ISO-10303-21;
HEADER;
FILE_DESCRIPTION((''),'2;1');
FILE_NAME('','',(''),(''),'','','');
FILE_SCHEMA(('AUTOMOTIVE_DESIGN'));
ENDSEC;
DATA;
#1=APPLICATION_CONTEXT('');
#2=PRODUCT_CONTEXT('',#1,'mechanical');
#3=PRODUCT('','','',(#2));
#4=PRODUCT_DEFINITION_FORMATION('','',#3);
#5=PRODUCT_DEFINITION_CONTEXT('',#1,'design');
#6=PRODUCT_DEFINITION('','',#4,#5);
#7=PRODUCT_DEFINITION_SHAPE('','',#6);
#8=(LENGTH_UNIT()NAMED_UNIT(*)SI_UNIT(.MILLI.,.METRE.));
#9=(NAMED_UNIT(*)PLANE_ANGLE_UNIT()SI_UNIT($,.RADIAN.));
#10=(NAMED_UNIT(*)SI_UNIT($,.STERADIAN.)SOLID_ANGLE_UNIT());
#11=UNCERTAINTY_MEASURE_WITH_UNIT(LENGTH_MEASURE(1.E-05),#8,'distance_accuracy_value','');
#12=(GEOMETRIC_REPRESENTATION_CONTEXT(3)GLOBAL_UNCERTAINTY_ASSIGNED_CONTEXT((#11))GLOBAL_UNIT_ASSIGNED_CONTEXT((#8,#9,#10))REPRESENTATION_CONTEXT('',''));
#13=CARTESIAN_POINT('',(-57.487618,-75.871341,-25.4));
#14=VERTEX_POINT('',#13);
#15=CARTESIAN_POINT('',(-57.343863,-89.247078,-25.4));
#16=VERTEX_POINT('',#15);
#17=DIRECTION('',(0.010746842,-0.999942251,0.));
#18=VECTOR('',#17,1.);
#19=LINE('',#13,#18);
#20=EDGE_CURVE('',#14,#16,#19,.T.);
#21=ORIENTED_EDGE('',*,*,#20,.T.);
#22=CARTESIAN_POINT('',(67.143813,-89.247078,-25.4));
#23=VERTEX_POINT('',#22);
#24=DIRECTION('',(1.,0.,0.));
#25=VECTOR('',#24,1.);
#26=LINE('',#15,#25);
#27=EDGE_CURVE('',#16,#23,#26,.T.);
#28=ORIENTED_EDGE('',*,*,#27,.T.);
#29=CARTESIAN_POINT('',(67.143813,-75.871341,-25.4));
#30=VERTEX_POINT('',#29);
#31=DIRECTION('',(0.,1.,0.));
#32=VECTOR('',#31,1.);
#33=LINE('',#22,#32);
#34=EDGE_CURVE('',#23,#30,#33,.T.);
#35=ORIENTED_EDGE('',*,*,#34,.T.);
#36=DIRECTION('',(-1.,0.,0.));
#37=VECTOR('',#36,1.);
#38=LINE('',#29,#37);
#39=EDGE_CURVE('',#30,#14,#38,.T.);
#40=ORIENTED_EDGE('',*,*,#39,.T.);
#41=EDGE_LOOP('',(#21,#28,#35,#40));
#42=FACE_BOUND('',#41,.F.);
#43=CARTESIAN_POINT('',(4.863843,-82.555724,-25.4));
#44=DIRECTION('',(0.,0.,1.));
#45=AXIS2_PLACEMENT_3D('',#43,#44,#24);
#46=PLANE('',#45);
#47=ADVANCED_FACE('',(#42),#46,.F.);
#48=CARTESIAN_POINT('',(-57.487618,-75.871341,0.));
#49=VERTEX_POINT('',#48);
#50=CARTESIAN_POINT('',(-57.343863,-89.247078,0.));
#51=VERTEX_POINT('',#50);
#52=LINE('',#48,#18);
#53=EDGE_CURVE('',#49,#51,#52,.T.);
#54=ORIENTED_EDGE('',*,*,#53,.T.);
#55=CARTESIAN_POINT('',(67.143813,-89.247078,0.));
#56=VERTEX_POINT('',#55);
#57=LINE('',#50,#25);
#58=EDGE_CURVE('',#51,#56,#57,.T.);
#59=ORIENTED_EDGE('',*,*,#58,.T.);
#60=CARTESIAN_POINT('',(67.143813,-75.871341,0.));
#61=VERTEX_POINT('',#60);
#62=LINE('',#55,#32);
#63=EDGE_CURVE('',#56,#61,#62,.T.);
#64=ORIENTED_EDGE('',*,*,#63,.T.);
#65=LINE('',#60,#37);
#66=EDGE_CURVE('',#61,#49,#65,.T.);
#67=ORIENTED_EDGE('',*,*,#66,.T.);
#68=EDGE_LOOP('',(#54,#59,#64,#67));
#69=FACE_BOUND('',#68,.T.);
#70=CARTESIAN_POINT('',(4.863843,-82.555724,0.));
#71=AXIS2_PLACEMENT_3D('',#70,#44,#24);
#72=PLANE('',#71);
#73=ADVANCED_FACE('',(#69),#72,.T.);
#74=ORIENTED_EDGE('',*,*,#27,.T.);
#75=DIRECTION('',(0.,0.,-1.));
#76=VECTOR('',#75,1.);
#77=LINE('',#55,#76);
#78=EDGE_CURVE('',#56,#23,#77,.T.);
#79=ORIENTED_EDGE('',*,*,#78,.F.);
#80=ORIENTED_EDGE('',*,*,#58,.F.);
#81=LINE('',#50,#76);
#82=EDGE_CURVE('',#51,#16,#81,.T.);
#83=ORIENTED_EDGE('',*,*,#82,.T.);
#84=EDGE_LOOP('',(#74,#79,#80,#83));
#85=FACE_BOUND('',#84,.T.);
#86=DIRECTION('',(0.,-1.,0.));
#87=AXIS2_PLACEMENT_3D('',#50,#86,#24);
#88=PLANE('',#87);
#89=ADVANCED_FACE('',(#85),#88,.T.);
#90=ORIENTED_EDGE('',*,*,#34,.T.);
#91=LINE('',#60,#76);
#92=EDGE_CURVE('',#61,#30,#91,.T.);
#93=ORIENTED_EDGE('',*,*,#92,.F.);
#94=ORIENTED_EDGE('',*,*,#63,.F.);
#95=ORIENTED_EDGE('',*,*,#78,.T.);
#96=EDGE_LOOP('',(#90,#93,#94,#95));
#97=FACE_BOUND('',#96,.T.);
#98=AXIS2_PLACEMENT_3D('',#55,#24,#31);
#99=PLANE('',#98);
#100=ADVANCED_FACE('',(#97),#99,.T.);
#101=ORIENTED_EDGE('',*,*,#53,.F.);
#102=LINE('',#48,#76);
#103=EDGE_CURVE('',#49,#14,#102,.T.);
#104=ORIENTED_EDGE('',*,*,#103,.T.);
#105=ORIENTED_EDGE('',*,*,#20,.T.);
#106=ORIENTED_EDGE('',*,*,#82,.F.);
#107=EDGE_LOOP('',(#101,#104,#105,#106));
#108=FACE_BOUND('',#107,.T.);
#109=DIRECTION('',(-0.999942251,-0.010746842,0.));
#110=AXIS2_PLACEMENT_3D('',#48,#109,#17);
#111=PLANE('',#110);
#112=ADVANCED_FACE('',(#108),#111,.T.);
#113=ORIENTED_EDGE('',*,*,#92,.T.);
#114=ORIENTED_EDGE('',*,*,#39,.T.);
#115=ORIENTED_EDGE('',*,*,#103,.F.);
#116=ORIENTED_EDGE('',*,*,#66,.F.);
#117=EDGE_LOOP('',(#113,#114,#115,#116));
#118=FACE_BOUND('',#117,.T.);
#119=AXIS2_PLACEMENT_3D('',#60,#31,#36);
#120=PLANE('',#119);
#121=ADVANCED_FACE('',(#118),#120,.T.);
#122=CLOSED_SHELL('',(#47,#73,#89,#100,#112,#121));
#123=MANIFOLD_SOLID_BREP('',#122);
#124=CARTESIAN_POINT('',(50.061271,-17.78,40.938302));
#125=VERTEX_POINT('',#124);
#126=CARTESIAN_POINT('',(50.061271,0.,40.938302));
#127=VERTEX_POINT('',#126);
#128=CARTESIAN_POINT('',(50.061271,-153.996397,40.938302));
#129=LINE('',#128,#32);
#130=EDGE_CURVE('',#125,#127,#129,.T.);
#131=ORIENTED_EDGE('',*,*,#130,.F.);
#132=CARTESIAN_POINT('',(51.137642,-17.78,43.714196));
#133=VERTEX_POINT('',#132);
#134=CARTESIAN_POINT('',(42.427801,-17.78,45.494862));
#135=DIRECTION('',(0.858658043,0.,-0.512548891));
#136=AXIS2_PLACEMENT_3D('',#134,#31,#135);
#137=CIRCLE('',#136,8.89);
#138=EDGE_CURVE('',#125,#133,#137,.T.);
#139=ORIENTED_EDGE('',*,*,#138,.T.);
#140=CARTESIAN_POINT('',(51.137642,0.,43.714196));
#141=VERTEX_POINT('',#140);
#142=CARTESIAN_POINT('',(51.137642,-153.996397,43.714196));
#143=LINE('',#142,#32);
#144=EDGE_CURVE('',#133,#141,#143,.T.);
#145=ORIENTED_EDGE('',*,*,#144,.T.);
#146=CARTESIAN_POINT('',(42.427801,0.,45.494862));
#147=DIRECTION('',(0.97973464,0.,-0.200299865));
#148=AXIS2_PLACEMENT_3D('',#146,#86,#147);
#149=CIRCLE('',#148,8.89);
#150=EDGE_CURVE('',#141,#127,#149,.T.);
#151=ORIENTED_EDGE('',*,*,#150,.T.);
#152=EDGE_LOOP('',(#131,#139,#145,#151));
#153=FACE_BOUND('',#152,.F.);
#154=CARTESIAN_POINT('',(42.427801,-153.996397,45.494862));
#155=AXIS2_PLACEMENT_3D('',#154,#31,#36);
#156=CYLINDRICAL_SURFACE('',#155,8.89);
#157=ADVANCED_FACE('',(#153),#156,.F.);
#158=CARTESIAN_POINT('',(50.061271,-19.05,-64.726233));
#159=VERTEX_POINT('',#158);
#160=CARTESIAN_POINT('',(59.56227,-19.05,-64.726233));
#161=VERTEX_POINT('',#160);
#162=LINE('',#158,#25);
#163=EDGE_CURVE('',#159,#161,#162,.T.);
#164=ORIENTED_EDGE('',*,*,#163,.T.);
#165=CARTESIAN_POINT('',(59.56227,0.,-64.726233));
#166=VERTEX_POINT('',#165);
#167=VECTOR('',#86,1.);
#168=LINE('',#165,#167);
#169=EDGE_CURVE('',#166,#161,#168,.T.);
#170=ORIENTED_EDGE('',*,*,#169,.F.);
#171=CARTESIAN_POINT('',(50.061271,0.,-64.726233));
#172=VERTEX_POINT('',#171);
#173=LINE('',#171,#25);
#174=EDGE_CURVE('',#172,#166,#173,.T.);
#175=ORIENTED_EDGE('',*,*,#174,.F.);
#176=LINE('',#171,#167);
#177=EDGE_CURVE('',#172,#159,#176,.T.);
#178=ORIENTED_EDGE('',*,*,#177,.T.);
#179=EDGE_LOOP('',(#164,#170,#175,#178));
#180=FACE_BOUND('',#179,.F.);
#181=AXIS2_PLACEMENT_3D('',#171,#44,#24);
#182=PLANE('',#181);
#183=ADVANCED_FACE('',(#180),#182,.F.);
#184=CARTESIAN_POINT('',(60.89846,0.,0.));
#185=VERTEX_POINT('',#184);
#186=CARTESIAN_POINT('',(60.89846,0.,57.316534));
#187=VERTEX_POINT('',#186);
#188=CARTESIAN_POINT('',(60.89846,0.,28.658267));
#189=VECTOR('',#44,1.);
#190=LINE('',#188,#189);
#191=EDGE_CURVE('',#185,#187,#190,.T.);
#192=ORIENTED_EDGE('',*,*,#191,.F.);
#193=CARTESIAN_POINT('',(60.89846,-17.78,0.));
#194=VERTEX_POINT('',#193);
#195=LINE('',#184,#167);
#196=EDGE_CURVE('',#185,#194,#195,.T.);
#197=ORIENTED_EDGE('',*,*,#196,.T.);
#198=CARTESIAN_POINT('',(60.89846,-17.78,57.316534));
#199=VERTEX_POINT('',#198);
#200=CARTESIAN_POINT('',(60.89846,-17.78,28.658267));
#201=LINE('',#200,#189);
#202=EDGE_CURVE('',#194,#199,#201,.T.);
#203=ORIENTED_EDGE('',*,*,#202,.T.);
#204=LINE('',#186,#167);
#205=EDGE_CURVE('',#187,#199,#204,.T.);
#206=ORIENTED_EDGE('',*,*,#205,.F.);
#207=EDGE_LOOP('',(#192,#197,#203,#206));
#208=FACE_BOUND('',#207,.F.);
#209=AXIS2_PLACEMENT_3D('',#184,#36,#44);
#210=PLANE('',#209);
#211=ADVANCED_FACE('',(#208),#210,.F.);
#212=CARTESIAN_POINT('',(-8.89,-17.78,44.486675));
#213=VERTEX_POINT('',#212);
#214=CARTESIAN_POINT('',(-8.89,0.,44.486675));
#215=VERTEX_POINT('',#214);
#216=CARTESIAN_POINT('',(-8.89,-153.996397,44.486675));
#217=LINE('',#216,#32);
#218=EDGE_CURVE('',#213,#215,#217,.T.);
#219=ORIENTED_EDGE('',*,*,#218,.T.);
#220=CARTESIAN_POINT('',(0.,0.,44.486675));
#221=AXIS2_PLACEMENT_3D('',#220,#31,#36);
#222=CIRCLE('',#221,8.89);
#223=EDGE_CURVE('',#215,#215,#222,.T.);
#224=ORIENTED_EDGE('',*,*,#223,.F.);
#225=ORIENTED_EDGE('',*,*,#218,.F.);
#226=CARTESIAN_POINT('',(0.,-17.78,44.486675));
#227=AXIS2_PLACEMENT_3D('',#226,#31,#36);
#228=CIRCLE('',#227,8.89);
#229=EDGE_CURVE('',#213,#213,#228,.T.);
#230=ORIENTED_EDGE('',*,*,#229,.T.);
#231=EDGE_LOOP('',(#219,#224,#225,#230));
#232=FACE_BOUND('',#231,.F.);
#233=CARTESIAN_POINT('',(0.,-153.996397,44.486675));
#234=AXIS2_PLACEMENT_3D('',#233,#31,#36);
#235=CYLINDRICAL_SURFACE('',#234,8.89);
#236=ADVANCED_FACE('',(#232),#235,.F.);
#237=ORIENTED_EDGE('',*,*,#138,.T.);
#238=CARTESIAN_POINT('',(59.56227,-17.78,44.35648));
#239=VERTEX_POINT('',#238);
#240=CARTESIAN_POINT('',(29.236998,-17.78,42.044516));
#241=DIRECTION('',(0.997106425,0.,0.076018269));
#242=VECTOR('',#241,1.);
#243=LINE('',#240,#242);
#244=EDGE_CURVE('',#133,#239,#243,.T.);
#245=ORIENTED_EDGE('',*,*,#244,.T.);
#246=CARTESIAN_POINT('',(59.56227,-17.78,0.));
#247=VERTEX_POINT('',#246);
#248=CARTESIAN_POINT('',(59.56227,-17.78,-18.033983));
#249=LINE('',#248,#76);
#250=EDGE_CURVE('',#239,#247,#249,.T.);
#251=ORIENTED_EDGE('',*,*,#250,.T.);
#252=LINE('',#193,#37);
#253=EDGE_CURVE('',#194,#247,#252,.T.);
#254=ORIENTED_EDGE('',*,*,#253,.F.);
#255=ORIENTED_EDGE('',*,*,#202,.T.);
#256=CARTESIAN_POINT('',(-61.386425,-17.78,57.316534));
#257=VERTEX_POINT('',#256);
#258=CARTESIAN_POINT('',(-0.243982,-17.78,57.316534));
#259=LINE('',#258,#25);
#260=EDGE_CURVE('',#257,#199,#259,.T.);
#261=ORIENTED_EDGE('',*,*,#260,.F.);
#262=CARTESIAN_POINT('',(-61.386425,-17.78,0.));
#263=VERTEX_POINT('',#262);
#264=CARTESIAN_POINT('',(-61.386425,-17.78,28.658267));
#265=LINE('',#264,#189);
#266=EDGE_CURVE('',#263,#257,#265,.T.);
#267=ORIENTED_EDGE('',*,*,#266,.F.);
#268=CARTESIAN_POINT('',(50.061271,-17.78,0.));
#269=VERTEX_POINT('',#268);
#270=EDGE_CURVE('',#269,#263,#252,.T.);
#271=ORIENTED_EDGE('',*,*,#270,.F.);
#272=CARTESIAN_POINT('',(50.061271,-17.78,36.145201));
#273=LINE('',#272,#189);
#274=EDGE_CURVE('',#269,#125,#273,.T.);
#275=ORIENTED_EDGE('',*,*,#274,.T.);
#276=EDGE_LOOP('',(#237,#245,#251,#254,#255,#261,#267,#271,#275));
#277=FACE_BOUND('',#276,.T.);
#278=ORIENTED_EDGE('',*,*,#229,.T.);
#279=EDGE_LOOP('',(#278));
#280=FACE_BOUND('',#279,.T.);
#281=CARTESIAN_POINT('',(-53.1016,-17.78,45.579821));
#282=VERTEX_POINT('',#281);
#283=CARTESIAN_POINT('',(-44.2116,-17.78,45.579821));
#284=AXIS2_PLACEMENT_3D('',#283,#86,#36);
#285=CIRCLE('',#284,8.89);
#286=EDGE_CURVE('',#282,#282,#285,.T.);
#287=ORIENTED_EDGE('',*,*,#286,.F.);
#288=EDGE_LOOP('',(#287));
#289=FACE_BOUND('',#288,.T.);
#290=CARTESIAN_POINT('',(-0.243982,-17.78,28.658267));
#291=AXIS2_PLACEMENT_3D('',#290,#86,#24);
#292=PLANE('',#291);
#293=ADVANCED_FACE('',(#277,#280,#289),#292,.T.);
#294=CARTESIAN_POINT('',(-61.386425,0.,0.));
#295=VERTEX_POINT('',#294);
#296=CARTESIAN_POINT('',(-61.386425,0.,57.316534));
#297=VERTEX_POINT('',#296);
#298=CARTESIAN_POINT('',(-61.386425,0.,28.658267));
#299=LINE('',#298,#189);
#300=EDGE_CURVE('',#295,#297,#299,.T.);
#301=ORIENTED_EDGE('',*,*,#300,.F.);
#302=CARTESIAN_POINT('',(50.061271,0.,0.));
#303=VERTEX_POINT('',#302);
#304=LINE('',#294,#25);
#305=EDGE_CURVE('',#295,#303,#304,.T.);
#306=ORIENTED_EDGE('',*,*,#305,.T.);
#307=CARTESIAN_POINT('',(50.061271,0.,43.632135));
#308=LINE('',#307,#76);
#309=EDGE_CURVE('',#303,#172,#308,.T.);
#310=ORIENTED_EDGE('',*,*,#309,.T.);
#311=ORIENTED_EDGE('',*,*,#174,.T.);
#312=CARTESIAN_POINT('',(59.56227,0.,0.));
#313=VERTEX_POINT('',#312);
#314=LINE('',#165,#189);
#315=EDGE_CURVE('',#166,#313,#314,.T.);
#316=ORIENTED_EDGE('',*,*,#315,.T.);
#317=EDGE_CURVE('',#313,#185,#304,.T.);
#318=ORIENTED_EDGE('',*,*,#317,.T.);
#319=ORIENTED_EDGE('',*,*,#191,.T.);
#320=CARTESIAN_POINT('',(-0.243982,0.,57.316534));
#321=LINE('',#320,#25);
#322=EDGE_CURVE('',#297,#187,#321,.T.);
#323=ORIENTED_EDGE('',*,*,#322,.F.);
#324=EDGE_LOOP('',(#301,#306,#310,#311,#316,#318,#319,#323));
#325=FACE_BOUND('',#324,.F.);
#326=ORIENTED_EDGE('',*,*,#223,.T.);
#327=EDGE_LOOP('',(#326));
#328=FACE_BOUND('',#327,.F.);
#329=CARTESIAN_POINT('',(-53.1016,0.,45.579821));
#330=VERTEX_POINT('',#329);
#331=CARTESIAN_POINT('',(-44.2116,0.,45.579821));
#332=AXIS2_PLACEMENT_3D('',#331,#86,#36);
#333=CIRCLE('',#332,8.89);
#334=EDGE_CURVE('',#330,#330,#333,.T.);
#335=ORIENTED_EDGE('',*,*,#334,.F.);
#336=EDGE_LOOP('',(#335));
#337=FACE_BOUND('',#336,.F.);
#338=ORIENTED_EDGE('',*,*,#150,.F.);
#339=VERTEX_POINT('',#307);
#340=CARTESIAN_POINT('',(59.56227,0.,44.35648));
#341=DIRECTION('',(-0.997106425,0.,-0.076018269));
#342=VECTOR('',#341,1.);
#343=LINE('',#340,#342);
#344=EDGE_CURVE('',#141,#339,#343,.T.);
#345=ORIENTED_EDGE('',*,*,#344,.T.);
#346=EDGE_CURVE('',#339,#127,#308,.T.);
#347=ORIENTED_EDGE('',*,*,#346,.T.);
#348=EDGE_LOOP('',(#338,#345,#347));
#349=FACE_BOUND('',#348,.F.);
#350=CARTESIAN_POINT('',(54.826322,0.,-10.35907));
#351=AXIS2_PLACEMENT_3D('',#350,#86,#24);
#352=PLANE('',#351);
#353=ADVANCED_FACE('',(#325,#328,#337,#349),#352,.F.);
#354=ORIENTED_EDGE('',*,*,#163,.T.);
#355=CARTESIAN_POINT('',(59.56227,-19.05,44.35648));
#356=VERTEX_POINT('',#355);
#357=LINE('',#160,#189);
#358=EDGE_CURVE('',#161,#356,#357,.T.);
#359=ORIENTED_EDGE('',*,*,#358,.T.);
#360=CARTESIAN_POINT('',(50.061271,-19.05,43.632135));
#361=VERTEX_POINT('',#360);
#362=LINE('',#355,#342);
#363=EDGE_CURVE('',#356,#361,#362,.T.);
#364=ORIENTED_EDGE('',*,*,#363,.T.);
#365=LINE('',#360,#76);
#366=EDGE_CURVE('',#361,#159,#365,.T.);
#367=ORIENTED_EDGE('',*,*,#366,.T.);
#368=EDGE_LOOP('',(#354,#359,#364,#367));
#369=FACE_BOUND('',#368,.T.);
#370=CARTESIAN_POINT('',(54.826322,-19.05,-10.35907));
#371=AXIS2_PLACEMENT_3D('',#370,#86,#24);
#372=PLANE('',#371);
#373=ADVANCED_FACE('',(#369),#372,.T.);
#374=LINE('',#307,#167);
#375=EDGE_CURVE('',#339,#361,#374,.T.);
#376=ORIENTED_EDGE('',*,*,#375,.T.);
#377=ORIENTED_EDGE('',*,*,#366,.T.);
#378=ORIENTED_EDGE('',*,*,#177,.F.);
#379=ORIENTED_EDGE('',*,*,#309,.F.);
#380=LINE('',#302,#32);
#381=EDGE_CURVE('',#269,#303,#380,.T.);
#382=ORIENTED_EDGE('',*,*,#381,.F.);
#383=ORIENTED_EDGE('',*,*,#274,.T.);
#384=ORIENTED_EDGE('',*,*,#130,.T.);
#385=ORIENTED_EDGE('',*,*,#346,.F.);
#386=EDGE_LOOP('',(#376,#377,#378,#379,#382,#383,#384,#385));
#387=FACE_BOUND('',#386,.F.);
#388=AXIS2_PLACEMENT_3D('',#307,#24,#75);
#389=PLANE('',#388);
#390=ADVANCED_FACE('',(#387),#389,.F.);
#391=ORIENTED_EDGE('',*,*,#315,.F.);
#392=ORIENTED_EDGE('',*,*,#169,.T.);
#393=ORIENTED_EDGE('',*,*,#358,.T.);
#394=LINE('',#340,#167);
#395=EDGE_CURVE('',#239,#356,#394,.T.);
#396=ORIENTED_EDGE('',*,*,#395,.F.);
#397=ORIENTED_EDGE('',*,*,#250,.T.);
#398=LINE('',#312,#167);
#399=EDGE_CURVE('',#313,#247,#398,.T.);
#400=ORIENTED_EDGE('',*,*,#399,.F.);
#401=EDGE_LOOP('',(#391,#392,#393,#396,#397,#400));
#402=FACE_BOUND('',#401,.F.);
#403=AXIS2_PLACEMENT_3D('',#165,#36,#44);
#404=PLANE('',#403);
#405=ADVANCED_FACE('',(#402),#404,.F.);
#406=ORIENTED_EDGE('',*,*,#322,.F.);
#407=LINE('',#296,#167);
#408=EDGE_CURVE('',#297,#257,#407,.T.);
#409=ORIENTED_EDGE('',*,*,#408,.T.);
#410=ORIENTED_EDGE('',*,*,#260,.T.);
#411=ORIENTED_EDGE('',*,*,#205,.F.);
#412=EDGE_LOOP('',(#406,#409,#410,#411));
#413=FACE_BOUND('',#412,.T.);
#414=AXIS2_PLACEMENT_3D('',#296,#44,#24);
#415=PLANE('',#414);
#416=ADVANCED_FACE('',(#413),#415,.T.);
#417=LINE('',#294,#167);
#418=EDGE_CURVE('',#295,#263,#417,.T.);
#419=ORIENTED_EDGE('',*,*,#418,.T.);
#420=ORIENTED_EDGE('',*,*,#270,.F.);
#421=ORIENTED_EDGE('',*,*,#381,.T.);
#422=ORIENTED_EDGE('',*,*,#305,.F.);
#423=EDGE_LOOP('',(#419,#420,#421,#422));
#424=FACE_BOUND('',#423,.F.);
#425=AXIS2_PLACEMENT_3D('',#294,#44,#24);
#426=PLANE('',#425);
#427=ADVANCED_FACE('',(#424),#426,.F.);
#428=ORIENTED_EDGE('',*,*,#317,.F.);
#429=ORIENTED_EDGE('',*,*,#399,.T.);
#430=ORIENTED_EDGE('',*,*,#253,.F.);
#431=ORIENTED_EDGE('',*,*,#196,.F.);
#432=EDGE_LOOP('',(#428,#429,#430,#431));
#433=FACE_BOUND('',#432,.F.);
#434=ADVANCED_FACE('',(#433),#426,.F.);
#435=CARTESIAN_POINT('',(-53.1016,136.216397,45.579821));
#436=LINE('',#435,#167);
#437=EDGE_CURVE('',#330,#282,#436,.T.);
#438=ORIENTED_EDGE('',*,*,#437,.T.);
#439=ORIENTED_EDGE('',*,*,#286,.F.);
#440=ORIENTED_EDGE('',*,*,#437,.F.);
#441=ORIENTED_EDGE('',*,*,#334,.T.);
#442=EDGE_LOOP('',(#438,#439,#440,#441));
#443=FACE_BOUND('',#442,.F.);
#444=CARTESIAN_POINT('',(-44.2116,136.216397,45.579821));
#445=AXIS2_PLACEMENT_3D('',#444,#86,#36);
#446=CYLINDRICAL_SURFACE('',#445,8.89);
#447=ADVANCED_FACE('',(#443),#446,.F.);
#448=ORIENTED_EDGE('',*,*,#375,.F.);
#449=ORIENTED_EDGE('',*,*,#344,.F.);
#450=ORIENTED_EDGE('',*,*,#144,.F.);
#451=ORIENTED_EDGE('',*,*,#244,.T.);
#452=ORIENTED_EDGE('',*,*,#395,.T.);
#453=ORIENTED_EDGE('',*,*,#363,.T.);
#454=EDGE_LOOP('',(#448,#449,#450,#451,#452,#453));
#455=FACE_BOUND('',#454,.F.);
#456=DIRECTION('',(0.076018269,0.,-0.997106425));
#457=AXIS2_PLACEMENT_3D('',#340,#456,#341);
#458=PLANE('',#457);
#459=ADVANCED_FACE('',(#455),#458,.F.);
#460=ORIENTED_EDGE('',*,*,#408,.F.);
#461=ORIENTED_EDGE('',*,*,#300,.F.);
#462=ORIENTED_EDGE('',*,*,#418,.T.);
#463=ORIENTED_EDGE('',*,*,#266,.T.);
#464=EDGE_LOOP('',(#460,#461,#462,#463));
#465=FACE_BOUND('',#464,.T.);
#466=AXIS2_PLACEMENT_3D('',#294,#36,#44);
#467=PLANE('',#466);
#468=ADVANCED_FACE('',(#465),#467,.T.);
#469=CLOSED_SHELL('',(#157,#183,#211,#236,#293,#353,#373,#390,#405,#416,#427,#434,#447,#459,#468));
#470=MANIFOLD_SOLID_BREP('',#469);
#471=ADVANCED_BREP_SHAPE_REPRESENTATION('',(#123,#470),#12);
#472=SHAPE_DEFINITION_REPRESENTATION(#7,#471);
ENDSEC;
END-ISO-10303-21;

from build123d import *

# Parameters (mm, degrees)
F2_DEPTH  = 17.78
F0_W      = 122.2848854959
F0_H      = 57.3165342212
F3_DEPTH  = 17.78
F5_D      = 17.78
F8_D      = 17.78
F10_D     = 17.78
F12_DEPTH = 25.4
F14_DEPTH = 19.05


with BuildPart() as f2:
    # F1 (on face) → F2 (new body)
    with BuildSketch(Plane.XZ):
        Polygon((60.7268549502, 56.2854819), (-60.6423653662, 56.8059794605), (-60.6423653662, 0), (60.7268549502, 0), align=None)
    extrude(amount=F2_DEPTH)

    # F0 (on Front) → F3 (join)
    with BuildSketch(Plane.XZ):
        with Locations((-0.2439823002, 28.6582671106)):
            Rectangle(F0_W, F0_H)
    extrude(amount=F3_DEPTH)

    # F5 (through all)
    with Locations(Plane(origin=(0, 0, 0), x_dir=(1, 0, 0), z_dir=(0, 1, 0))):
        with Locations((-44.2115999758, -45.5798208714)):
            Hole(F5_D / 2)

    # F8 (through all)
    with Locations(Plane.XZ.offset(17.78)):
        with Locations((0, 44.4866754115)):
            Hole(F8_D / 2)

    # F10 (through all)
    with Locations(Plane.XZ.offset(17.78)):
        with Locations((42.4278005958, 45.4948619008)):
            Hole(F10_D / 2)

    # F13 (on Front) → F14 (join)
    with BuildSketch(Plane.XZ):
        Polygon((59.5622695982, -64.7262334824), (59.5622695982, 44.3564802408), (50.0612705946, 43.6321347952), (50.0612705946, -64.7262334824), align=None)
    extrude(amount=F14_DEPTH)


with BuildPart() as f12:
    # F11 (on Top) → F12 (new body)
    with BuildSketch(Plane.XY):
        Polygon((67.1438127756, -75.8713409305), (-57.4876181781, -75.8713409305), (-57.3438629508, -89.2470777035), (67.1438127756, -89.2470777035), align=None)
    extrude(amount=-F12_DEPTH)


solid = Compound([f2.part, f12.part])
